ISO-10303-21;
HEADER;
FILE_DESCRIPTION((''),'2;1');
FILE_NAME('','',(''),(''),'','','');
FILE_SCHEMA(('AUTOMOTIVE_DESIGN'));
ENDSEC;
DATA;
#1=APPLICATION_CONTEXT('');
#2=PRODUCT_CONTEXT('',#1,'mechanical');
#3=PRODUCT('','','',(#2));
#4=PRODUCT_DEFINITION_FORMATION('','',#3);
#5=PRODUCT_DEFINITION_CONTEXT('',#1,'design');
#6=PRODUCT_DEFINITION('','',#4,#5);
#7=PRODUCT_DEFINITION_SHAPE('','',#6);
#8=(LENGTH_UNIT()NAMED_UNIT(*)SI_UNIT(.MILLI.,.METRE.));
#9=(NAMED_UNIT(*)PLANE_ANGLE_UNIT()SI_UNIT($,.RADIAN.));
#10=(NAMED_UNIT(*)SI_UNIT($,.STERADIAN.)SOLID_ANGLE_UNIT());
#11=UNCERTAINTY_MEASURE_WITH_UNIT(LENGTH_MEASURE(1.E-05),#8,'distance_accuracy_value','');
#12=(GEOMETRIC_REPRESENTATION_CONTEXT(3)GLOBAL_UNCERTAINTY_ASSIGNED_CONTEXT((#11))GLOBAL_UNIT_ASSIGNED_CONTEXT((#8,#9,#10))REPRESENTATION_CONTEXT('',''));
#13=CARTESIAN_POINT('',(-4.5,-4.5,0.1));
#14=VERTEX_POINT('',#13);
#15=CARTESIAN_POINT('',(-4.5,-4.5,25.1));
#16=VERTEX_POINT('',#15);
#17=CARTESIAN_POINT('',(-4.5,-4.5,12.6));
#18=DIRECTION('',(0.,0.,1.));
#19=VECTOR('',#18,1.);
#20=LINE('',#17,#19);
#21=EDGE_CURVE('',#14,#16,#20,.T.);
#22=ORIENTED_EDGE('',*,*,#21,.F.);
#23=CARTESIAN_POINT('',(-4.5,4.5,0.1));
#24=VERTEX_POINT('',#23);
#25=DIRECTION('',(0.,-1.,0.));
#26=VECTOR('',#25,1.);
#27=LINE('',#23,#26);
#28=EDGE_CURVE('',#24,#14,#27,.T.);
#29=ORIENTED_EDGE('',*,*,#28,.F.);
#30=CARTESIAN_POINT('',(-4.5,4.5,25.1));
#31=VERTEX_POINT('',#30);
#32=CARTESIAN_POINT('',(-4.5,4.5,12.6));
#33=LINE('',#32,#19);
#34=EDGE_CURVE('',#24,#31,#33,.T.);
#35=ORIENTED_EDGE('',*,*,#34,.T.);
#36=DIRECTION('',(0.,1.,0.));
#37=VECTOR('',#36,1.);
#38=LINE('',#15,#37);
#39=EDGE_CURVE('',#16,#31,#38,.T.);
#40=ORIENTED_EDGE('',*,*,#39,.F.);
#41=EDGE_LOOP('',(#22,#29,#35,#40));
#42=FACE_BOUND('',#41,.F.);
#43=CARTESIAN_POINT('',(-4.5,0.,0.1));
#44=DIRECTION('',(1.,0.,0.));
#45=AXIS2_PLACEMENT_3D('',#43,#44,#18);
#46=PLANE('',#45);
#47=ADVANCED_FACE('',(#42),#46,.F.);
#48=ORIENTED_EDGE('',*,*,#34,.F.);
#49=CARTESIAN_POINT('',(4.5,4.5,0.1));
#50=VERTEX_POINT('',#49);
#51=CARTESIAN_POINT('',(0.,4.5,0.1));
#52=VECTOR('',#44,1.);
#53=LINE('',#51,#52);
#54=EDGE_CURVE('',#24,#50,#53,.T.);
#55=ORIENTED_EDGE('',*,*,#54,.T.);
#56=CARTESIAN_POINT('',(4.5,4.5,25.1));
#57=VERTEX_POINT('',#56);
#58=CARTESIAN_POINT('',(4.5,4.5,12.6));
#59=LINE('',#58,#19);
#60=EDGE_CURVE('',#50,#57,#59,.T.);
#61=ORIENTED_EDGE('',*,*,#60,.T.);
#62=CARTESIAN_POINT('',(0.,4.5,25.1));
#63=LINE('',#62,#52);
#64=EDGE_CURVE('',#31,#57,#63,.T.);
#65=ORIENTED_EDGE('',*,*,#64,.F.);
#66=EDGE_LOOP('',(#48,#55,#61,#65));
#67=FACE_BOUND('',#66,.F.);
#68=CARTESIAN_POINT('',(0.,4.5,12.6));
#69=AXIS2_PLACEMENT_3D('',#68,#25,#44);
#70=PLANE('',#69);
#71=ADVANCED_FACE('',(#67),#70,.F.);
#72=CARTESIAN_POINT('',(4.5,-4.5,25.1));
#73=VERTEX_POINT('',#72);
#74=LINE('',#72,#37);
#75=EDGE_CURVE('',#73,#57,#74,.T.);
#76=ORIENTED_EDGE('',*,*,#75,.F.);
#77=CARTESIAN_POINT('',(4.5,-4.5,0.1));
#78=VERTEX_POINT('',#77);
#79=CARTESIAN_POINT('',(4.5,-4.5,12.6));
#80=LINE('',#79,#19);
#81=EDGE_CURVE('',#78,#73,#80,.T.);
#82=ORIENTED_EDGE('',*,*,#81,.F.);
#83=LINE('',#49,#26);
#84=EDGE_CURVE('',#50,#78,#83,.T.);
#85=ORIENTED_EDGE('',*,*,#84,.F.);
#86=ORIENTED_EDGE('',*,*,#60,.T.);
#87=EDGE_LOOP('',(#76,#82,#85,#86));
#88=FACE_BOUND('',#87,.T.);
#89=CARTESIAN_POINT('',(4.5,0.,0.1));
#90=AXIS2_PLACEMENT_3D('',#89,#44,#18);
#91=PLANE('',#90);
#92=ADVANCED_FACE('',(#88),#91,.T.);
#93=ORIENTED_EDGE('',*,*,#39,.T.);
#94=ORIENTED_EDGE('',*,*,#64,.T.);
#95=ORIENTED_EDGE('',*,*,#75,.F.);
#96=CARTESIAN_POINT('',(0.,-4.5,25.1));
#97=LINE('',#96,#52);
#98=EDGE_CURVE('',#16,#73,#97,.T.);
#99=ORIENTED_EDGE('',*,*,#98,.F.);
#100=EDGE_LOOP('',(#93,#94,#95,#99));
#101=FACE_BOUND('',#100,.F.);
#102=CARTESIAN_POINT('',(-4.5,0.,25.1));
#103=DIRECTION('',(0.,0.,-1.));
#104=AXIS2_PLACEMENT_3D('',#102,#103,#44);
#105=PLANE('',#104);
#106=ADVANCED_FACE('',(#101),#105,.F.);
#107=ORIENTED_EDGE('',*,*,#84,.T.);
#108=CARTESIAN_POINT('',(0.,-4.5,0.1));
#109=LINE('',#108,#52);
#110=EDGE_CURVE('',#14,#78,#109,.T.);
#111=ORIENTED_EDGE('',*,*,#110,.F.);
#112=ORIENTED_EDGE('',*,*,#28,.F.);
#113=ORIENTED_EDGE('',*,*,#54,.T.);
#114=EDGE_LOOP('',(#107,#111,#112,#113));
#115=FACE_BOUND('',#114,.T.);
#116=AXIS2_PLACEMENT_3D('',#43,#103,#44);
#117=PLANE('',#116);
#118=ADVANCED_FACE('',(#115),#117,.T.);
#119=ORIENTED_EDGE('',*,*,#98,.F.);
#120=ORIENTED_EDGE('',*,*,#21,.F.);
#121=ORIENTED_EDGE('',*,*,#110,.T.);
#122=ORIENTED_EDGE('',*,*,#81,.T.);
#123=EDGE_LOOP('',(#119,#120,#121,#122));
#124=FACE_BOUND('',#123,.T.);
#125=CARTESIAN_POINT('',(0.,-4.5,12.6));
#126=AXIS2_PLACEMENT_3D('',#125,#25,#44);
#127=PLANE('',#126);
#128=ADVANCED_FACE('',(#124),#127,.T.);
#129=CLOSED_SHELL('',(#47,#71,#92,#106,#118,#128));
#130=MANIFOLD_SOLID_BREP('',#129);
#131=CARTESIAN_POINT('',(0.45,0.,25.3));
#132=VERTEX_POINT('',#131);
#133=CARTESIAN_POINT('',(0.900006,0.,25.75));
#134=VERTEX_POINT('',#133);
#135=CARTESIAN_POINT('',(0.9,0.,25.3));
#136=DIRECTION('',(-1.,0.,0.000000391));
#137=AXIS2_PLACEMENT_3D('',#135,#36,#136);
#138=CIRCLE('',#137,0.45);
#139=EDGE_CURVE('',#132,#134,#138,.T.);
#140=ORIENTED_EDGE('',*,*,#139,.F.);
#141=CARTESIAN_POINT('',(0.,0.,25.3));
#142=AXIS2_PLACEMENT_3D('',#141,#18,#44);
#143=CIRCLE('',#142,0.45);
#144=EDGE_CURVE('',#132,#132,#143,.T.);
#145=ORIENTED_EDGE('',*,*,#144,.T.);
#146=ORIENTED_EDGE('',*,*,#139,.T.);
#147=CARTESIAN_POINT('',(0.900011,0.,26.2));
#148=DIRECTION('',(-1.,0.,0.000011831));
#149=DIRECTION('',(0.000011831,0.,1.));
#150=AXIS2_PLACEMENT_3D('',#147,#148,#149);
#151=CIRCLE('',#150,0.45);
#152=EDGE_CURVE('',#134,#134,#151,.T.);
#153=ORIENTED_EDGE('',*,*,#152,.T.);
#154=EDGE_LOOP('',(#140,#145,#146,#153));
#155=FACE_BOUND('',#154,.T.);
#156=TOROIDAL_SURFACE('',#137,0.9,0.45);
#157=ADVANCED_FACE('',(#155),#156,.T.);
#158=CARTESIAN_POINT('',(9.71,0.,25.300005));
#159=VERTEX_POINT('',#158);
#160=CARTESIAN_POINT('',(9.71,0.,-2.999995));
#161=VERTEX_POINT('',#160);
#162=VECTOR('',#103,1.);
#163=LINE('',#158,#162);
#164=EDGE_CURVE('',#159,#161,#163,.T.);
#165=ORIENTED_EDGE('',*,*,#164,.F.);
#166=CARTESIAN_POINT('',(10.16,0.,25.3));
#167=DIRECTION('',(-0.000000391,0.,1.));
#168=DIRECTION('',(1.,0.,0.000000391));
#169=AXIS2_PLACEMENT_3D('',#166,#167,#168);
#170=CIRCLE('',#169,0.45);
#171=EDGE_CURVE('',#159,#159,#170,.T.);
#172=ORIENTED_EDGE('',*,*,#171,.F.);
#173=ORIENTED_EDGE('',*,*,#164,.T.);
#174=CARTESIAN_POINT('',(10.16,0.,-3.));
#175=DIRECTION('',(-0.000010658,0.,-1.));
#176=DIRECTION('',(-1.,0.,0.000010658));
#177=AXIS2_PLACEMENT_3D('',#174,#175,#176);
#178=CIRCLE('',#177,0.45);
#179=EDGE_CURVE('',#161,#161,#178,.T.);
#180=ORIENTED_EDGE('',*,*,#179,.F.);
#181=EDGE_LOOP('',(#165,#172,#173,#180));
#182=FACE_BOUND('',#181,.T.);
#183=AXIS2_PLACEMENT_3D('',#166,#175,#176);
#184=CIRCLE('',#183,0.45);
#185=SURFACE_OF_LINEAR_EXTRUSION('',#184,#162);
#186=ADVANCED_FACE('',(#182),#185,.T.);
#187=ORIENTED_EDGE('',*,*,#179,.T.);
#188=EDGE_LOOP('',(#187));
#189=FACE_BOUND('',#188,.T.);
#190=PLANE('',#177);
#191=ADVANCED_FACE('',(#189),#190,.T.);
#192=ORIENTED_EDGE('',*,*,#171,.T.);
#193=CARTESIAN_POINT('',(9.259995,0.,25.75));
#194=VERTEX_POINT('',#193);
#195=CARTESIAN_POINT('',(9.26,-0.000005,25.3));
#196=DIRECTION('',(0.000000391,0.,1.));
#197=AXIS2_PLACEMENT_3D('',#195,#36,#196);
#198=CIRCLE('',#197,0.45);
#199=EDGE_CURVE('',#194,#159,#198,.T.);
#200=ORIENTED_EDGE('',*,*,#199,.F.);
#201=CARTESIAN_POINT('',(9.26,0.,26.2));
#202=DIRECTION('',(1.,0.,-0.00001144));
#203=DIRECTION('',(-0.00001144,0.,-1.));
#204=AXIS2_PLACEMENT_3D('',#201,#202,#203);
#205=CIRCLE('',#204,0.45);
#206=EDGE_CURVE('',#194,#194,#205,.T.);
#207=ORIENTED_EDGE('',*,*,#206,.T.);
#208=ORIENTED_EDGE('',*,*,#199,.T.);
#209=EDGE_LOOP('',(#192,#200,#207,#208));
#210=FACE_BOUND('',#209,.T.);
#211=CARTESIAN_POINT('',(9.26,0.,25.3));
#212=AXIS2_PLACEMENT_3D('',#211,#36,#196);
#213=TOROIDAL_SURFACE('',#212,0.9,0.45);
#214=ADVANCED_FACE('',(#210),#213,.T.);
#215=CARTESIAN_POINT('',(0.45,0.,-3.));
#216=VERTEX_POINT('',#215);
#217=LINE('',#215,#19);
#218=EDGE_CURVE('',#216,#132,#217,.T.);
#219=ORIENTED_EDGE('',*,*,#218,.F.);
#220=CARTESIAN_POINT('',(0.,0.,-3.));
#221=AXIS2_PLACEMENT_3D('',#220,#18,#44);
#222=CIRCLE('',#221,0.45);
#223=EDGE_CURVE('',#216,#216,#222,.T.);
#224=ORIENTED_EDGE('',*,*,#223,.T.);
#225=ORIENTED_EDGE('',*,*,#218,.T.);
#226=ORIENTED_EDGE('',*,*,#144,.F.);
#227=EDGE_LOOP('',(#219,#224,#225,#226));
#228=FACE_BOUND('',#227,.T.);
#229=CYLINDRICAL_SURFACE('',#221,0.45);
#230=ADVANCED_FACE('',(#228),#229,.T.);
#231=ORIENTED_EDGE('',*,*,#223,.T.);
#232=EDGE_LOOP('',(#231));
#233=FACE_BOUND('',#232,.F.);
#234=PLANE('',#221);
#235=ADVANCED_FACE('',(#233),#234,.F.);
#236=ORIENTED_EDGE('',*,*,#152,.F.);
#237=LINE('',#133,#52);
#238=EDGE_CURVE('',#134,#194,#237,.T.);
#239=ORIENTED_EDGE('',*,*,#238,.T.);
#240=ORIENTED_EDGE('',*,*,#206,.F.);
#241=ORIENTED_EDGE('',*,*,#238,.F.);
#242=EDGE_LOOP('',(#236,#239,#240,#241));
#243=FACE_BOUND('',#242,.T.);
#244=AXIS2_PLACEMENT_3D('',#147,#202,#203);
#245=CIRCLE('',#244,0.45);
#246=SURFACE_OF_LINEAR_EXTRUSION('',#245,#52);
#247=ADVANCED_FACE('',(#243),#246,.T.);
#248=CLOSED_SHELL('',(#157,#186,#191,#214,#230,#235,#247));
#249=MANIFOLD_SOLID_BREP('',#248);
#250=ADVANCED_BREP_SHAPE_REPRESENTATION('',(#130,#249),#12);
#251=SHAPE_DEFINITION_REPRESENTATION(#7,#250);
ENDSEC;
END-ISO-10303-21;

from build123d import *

# Parameters (mm, degrees)
SKETCH_R    = 0.45
SKETCH002_W = 9
SKETCH002_H = 25
PAD_DEPTH   = 4.5


with BuildPart() as sweep_body:
    # Sweep: sweep along a path in Sketch001
    with BuildLine(Plane.XZ) as sweep_path:
        Line((0, -3), (0, 25.3))
        ThreePointArc((0, 25.3), (0.263608, 25.9364), (0.900011, 26.2))
        Line((0.900011, 26.2), (9.26, 26.2))
        ThreePointArc((9.26, 26.2), (9.896396, 25.936396), (10.16, 25.3))
        Line((10.16, 25.3), (10.16, -3))
    # Sketch → Sweep (sweep)
    with BuildSketch(Plane.XY.offset(-2)):
        Circle(SKETCH_R)
    sweep(path=sweep_path.line)


with BuildPart() as pad:
    # Sketch002 → Pad (new body, symmetric)
    with BuildSketch(Plane.XZ):
        with Locations((0, 12.6)):
            Rectangle(SKETCH002_W, SKETCH002_H)
    extrude(amount=PAD_DEPTH, both=True)


solid = Compound([sweep_body.part, pad.part])
